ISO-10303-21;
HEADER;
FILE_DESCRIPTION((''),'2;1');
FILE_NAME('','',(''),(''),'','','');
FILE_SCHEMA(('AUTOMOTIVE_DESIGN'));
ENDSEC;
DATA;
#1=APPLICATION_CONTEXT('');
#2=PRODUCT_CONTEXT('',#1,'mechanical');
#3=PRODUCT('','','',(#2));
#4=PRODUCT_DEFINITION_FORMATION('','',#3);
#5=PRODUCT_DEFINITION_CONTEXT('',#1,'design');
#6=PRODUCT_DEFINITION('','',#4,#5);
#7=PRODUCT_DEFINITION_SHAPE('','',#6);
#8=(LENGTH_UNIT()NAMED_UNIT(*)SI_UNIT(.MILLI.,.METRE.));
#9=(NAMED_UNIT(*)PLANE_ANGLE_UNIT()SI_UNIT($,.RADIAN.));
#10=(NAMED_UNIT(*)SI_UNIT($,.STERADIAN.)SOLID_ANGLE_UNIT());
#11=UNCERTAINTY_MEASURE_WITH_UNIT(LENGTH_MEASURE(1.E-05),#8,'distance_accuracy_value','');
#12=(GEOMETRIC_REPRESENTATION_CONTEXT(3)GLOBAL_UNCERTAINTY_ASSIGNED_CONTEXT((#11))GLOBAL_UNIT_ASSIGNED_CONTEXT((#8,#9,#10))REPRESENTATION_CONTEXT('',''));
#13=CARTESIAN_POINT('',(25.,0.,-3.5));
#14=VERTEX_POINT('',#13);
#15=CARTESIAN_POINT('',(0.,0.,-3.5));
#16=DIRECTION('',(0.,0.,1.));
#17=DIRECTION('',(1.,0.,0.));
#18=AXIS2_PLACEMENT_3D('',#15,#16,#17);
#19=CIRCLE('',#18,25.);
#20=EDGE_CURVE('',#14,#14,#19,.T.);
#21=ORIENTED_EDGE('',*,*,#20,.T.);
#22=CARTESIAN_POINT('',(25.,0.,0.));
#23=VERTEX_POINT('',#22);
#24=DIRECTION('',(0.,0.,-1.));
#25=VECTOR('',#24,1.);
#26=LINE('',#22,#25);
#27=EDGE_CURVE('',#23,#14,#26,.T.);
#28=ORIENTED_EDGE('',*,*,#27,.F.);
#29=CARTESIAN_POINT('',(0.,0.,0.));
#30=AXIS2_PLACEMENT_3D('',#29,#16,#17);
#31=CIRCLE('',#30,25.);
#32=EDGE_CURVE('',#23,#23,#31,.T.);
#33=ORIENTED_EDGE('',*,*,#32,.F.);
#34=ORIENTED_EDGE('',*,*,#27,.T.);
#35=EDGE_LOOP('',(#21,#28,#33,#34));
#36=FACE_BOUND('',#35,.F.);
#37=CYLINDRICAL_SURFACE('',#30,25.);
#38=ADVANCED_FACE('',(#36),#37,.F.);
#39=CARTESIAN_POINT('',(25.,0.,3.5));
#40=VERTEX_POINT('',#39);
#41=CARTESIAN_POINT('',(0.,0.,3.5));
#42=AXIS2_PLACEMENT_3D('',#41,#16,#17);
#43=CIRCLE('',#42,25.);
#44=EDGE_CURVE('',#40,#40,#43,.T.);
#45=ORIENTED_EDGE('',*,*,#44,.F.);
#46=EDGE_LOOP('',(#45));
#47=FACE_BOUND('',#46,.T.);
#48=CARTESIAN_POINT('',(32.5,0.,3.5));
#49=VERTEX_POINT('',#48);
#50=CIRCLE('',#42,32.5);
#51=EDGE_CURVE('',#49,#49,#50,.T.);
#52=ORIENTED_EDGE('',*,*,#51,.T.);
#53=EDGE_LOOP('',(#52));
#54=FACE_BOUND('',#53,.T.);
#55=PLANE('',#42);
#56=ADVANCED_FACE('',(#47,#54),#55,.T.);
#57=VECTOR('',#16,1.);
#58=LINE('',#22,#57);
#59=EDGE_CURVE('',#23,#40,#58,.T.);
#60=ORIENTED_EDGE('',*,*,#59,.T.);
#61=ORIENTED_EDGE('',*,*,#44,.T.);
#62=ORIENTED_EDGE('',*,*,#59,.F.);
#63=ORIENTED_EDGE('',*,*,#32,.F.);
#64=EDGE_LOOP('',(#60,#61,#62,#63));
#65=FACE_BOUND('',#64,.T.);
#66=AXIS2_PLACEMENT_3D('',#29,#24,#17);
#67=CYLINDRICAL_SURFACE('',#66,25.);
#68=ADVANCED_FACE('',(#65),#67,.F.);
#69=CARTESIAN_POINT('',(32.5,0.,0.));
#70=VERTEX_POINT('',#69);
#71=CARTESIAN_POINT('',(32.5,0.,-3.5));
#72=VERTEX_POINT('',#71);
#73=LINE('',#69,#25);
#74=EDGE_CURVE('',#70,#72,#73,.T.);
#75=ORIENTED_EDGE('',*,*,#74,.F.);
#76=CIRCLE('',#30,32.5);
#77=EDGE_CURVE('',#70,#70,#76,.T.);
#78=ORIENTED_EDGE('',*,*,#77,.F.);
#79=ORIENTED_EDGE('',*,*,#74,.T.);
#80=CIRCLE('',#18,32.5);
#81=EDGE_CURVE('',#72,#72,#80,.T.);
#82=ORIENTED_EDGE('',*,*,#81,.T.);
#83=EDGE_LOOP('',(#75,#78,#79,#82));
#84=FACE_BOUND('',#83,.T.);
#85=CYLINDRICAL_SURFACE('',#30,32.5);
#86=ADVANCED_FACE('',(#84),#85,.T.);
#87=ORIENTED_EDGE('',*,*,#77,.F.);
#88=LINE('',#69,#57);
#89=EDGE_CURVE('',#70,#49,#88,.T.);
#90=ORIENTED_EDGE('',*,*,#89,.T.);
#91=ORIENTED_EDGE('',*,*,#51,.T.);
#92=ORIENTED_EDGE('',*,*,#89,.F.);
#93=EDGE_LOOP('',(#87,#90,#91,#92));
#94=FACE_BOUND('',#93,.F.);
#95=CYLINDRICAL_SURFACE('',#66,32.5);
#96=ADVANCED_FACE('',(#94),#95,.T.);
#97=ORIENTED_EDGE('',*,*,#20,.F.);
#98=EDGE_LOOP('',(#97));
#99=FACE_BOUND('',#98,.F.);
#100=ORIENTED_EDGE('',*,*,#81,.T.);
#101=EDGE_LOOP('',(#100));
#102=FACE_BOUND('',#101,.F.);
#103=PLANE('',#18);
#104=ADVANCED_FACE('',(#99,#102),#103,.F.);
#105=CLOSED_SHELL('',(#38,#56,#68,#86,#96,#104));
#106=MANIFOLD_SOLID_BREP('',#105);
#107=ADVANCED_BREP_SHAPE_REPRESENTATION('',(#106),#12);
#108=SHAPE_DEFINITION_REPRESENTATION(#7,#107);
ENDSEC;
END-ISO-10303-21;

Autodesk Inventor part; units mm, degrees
ref_plane "YZ Plane" through (0, 0, 0) normal (1, 0, 0) x (0, 1, 0)
ref_plane "XZ Plane" through (0, 0, 0) normal (0, 1, 0) x (-1, 0, 0)
ref_plane "XY Plane" through (0, 0, 0) normal (0, 0, 1) x (1, 0, 0)
sketch "Sketch1" plane through (0, 0, 0) normal (0, 0, 1) x (1, 0, 0)
  circle A0 centre (0, 0) radius 25
  circle A1 centre (0, 0) radius 32.5
  dimension "d0" = 50
  dimension "d1" = 65
extrude "Extrusion1" add sketch "Sketch1" along normal mid plane 7
properties part number "BigBearing" material "Steel, Alloy"
